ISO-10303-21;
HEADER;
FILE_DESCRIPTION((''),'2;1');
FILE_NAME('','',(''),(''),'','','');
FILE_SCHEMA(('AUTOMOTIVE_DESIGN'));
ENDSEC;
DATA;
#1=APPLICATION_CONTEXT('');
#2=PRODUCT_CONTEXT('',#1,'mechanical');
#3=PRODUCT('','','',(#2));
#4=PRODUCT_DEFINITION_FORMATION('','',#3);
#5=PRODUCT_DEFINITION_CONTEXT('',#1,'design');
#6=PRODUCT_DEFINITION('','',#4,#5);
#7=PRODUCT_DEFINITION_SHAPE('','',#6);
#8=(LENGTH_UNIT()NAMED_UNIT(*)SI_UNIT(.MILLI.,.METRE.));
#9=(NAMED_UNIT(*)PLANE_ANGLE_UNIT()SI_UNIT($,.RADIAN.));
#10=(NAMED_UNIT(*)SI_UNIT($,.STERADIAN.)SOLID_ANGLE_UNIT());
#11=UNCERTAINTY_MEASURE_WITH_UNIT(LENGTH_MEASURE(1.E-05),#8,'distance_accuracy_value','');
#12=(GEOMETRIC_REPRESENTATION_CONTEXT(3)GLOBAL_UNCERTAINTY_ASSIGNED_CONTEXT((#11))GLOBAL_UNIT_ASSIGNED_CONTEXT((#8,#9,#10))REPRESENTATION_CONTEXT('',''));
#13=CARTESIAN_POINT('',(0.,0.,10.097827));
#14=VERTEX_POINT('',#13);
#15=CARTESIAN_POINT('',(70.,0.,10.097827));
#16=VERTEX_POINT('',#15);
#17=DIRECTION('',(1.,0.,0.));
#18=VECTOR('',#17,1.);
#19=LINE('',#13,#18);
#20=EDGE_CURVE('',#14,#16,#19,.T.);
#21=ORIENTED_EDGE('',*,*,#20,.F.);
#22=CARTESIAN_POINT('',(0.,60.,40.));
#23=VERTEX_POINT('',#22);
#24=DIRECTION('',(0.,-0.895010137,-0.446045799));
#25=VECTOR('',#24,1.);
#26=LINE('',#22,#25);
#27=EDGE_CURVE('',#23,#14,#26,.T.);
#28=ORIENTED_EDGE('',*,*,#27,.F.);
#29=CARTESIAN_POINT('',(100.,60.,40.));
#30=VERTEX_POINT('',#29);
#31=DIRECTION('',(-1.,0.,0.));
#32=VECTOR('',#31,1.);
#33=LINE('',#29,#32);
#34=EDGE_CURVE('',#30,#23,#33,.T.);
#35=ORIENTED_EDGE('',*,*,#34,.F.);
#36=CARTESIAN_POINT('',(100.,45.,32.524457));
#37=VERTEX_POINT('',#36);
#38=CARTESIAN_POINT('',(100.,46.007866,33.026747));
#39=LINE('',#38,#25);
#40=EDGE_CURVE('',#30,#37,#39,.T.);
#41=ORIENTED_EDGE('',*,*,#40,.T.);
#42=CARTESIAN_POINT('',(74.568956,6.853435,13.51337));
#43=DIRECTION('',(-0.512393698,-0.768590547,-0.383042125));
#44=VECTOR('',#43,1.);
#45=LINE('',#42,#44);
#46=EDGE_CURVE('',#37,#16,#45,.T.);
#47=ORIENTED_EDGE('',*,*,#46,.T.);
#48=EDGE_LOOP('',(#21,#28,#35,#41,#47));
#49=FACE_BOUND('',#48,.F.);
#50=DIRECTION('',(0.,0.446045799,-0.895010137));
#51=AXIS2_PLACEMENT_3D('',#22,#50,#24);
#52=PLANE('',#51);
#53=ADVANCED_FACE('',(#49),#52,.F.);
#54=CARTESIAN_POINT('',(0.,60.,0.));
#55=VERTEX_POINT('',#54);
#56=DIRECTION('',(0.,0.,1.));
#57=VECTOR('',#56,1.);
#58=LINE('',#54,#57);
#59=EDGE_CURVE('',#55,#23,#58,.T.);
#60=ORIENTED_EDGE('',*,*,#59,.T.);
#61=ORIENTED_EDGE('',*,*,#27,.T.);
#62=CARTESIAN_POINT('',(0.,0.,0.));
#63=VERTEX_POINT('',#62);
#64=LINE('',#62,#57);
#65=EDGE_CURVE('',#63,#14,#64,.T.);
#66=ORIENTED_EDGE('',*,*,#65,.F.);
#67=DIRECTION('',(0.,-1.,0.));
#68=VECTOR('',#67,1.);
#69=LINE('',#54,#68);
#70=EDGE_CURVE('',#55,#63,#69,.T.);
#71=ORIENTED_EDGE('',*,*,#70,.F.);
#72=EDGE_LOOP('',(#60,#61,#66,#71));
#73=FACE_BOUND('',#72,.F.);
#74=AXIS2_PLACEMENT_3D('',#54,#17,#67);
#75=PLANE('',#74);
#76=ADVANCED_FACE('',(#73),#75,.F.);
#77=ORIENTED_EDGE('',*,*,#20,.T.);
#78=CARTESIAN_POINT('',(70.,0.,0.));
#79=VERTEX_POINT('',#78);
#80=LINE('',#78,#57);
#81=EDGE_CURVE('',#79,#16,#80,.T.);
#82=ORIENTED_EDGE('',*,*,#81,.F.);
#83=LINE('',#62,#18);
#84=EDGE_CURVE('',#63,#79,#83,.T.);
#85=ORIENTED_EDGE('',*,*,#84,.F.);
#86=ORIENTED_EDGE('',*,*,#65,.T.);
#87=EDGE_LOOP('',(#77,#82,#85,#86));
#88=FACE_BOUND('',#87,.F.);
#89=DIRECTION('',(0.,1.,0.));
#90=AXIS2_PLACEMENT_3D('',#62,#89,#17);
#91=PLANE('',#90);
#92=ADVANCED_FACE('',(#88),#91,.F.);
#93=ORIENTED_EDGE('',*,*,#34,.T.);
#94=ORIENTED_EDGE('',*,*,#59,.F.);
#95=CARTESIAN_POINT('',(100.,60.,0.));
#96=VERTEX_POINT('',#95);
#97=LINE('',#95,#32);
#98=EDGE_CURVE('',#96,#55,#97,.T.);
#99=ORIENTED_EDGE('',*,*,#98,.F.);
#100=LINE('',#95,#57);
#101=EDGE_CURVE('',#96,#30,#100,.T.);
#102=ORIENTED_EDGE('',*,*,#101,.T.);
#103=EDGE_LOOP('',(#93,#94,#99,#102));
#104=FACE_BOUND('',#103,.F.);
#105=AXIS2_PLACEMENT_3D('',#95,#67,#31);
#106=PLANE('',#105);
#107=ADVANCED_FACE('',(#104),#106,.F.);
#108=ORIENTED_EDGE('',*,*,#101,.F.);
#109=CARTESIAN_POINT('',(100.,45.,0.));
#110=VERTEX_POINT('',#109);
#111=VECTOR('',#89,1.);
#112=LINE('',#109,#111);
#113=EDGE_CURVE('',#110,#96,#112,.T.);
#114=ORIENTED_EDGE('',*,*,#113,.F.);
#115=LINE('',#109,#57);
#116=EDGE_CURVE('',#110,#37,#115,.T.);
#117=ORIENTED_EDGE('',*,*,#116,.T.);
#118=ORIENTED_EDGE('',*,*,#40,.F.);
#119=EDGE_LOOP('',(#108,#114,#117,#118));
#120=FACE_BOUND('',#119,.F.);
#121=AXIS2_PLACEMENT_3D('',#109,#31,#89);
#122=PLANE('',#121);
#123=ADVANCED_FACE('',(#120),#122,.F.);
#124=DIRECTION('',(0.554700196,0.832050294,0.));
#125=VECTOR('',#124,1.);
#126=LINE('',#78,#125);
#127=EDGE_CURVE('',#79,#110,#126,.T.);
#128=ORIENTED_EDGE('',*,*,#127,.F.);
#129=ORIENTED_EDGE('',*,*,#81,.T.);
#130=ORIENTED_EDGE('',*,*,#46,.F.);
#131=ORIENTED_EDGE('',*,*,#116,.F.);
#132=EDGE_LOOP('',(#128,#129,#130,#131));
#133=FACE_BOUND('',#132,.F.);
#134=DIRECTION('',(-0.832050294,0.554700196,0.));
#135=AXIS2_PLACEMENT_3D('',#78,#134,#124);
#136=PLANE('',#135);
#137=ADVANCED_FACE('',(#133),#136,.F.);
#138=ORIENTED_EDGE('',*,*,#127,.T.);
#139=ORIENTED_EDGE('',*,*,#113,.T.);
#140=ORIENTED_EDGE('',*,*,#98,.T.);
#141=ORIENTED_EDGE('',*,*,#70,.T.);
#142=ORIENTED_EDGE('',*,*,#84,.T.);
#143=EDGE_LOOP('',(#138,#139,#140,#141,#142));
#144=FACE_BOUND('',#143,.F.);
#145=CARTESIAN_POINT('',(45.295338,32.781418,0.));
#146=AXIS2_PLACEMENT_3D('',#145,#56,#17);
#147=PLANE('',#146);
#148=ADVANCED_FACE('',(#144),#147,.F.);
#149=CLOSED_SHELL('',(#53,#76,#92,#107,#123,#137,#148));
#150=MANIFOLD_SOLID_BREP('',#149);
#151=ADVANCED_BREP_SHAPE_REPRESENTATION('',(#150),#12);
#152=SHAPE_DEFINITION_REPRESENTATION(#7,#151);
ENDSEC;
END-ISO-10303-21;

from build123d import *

# Parameters (mm, degrees)
F1_DEPTH = 40
F3_DEPTH = 101.2


with BuildPart() as f1:
    # F0 (on Top) → F1 (new body)
    with BuildSketch(Plane.XY):
        Polygon((0, 60), (0, 0), (70, 0), (100, 45), (100, 60), align=None)
    extrude(amount=F1_DEPTH)

    # F2 (on face) → F3 (cut)
    with BuildSketch(Plane(origin=(0, 0, 0), x_dir=(0, -1, 0), z_dir=(-1, 0, 0))):
        Polygon((0, 40), (-60, 40), (0, 10.097827), align=None)
    extrude(amount=-F3_DEPTH, mode=Mode.SUBTRACT)


solid = f1.part
